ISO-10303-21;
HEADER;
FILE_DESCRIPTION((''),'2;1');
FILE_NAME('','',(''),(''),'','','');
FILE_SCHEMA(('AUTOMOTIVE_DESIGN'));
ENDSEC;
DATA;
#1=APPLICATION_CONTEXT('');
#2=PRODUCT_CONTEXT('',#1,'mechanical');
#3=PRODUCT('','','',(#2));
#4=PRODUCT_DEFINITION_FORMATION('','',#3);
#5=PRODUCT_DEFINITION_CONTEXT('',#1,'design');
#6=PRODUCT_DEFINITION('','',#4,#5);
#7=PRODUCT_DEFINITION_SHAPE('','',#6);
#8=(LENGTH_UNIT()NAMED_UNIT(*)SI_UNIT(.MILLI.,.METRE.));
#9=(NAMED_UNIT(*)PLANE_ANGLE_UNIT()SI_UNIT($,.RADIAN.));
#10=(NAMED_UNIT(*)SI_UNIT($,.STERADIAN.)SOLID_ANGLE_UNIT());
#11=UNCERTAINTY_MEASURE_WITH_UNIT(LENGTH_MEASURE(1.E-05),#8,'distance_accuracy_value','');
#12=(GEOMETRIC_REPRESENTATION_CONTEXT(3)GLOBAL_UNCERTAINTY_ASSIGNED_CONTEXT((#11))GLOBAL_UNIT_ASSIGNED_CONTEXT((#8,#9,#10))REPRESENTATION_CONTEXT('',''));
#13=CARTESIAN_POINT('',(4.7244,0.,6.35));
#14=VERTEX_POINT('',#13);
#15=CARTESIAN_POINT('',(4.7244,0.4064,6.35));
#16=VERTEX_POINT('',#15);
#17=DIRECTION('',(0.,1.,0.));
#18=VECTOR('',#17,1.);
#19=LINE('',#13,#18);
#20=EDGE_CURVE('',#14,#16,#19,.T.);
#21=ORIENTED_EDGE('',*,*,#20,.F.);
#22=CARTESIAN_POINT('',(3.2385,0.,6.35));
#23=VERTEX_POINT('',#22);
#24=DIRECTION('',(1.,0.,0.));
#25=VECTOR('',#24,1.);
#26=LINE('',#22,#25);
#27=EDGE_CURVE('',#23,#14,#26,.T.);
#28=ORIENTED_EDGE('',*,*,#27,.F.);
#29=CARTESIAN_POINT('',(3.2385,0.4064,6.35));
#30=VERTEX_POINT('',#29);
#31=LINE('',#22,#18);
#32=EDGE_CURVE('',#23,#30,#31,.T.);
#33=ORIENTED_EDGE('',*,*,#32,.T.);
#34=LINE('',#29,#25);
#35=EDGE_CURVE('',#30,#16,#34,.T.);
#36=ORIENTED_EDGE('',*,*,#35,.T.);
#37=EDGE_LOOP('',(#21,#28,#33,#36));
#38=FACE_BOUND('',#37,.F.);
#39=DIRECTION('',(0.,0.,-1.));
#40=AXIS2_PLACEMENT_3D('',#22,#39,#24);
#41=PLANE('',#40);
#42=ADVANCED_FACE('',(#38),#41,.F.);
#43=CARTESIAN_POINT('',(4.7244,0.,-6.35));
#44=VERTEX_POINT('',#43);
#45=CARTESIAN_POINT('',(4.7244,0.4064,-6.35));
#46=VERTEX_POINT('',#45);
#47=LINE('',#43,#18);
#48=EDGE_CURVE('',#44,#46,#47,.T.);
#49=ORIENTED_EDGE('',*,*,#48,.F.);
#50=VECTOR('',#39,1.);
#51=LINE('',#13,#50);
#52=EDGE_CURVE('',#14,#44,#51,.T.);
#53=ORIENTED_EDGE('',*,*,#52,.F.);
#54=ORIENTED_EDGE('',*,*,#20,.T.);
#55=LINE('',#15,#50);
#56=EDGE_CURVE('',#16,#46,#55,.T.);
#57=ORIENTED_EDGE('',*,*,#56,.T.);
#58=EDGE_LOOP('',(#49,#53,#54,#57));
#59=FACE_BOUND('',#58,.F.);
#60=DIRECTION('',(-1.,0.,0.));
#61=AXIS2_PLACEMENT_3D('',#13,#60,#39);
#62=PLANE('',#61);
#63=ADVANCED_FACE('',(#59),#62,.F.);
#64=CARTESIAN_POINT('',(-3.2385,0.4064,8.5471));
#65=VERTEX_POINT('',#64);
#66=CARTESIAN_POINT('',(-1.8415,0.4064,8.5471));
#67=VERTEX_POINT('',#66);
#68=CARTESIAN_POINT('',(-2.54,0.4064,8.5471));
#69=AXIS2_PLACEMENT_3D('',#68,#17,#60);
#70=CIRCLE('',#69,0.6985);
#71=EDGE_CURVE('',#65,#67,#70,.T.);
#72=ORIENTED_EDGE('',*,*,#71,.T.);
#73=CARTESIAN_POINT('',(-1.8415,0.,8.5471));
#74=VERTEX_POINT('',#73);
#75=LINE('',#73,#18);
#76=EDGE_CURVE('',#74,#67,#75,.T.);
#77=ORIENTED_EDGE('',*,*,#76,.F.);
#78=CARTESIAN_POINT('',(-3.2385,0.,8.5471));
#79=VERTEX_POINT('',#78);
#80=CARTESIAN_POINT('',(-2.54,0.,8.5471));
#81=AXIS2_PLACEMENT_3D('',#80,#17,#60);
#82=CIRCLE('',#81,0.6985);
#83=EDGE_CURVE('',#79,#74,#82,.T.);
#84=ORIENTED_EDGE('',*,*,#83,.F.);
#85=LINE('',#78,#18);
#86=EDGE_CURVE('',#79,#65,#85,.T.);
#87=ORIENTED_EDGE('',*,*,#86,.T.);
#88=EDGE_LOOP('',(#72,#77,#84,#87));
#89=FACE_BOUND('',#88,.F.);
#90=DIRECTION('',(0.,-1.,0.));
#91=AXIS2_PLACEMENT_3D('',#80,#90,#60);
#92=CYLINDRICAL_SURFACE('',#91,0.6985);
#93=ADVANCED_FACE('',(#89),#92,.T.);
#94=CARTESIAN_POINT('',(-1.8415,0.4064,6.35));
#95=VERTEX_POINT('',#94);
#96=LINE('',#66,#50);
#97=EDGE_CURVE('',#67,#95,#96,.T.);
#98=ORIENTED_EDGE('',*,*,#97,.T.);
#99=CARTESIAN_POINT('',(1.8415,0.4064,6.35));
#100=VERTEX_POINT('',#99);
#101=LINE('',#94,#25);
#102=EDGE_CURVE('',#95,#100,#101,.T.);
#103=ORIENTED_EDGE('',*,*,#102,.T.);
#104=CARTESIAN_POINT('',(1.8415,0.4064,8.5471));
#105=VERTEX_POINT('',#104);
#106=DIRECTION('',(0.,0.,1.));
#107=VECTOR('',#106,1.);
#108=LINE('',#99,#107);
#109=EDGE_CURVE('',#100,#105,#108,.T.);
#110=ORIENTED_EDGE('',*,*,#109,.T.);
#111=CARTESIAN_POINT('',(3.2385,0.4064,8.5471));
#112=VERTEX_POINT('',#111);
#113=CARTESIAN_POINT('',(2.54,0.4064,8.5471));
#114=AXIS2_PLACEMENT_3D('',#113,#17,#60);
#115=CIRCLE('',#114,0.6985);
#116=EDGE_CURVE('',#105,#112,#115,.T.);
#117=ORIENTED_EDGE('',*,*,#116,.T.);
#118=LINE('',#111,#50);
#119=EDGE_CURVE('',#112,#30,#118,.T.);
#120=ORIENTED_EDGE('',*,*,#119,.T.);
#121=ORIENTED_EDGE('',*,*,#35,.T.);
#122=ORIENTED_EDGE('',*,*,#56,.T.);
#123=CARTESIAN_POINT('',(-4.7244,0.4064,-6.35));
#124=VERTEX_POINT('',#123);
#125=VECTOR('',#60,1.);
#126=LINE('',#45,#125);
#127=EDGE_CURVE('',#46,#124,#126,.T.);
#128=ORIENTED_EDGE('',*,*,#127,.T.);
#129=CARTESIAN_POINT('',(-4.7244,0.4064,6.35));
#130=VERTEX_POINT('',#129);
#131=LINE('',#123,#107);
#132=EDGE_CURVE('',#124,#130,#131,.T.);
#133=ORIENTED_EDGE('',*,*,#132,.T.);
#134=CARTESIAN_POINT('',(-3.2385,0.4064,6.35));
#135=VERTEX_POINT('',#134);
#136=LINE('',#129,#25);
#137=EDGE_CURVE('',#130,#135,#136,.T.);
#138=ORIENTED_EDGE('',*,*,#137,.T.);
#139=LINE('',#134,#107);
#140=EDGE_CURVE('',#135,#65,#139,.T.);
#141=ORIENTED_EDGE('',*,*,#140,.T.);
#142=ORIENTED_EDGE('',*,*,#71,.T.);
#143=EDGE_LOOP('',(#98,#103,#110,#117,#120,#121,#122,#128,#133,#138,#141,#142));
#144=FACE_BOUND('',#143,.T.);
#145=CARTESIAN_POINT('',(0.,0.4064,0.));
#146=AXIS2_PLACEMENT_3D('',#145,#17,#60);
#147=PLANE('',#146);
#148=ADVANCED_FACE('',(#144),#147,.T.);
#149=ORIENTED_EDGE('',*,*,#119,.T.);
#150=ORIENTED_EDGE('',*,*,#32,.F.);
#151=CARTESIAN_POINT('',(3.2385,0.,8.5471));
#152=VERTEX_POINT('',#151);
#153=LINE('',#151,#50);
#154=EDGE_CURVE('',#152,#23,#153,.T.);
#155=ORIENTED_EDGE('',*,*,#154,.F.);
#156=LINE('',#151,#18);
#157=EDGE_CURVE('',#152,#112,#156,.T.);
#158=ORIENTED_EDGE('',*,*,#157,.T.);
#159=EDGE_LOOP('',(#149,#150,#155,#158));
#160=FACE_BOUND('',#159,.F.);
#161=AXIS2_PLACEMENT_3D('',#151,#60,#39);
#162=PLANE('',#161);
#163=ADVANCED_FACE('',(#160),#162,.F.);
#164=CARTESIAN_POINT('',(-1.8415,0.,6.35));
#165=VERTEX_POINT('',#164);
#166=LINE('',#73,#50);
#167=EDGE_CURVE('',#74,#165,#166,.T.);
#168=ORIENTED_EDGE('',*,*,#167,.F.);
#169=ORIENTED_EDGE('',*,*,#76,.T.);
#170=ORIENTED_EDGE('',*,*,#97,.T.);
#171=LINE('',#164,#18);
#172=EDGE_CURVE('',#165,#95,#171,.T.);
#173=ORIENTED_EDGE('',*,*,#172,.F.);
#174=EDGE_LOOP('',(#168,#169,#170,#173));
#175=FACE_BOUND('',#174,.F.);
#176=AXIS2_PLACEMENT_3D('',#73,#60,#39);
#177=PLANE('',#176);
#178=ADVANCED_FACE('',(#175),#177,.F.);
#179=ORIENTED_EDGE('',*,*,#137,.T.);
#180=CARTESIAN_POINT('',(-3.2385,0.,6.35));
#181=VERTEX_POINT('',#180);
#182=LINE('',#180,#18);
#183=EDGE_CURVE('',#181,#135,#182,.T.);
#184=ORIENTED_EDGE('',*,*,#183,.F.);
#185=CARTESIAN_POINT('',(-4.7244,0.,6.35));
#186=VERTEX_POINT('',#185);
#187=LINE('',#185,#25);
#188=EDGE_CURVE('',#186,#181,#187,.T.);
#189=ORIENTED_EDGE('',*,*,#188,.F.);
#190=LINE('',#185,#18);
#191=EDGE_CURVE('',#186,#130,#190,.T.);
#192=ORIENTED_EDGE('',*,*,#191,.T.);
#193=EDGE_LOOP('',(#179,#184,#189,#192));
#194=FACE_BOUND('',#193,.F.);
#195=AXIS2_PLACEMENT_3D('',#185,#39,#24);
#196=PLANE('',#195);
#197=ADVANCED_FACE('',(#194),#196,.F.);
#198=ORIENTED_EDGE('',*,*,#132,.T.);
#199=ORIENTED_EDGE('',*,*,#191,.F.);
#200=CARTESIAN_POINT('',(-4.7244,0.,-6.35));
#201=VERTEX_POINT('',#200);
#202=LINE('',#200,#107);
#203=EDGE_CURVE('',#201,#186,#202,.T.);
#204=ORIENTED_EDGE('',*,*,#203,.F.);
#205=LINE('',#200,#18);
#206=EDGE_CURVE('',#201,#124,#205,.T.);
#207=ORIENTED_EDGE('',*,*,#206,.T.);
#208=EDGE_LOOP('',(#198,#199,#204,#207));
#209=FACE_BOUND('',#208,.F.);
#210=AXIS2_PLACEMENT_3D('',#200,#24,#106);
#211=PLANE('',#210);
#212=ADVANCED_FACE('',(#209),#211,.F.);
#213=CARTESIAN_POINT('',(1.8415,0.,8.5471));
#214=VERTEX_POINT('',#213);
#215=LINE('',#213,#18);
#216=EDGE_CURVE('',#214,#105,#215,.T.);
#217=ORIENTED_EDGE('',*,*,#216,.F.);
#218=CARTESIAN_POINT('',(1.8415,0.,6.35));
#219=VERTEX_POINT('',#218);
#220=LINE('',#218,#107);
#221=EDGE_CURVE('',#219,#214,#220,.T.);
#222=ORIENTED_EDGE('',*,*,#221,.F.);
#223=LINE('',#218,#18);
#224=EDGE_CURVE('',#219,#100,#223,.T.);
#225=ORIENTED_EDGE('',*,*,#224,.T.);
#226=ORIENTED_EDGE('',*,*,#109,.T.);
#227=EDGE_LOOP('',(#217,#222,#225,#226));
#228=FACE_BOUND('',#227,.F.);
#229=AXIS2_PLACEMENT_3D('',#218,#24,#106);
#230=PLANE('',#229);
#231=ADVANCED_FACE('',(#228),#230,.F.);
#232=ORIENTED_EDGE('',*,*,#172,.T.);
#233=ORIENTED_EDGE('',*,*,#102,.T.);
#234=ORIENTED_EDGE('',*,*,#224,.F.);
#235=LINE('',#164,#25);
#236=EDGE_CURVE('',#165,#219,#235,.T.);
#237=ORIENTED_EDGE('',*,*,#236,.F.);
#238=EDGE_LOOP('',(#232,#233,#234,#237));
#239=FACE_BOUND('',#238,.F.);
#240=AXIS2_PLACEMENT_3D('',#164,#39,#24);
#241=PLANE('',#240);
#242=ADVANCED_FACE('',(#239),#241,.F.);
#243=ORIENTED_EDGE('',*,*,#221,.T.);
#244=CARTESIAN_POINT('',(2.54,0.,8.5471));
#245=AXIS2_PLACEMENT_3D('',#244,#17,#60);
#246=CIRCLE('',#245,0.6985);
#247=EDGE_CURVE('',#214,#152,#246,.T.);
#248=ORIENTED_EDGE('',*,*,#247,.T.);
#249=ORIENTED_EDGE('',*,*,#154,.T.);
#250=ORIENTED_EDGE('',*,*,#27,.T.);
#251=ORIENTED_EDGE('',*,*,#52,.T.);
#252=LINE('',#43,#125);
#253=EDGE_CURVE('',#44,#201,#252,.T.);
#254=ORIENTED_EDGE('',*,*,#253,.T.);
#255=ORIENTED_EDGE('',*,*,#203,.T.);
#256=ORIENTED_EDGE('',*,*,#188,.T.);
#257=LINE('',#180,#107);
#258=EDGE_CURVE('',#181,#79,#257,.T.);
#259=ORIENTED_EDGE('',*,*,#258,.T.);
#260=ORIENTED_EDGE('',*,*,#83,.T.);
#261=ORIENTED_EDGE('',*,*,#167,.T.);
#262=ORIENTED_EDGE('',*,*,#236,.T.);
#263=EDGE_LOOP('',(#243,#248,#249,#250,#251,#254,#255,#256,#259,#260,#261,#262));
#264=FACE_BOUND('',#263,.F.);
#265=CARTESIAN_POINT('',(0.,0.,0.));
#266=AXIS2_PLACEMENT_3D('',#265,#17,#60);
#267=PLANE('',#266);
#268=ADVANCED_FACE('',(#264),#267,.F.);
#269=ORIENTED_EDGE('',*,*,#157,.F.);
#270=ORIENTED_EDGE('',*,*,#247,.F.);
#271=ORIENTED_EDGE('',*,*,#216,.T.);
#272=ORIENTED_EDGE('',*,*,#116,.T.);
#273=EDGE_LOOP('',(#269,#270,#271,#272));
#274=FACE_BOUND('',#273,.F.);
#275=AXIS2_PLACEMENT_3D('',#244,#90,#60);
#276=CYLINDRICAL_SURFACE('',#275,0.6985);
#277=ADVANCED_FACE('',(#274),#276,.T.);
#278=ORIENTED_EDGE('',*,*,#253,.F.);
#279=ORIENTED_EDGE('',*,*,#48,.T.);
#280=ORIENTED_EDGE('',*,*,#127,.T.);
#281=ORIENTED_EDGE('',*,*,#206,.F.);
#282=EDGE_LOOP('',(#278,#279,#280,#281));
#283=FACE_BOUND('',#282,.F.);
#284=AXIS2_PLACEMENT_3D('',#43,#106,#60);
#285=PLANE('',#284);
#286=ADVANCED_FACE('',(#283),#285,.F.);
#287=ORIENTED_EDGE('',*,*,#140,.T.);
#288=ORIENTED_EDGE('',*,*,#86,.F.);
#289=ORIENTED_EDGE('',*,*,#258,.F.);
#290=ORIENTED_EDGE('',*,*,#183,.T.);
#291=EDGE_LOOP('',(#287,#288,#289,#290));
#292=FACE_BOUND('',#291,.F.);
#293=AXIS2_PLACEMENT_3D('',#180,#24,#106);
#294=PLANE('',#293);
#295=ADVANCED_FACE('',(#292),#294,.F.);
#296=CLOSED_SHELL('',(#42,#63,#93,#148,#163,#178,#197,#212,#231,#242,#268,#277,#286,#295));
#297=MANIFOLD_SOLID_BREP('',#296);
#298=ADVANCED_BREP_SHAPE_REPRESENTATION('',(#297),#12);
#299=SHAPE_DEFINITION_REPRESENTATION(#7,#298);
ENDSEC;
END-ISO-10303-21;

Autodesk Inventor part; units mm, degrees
sketch "Sketch_1" plane through (0, 0, 0) normal (0, 1, 0) x (-1, 0, 0)
  line L0 (4.7244, 6.35) -> (3.2385, 6.35)
  line L1 (3.2385, 6.35) -> (3.2385, 8.5471)
  arc A0 (3.2385, 8.5471) -> (1.8415, 8.5471) centre (2.54, 8.5471) ccw
  line L2 (1.8415, 8.5471) -> (1.8415, 6.35)
  line L3 (1.8415, 6.35) -> (-1.8415, 6.35)
  line L4 (-1.8415, 6.35) -> (-1.8415, 8.5471)
  arc A1 (-1.8415, 8.5471) -> (-3.2385, 8.5471) centre (-2.54, 8.5471) ccw
  line L5 (-3.2385, 8.5471) -> (-3.2385, 6.35)
  line L6 (-3.2385, 6.35) -> (-4.7244, 6.35)
  line L7 (-4.7244, 6.35) -> (-4.7244, -6.35)
  line L8 (-4.7244, -6.35) -> (4.7244, -6.35)
  line L9 (4.7244, -6.35) -> (4.7244, 6.35)
extrude "Extrusion1" add sketch "Sketch_1" along normal blind 0.4064
ref_plane "shtrmnl_XY" through (0, 0, 0) normal (0, 1, 0) x (1, 0, 0)
ref_plane "shtrmnl_YZ" through (0, 0, 0) normal (1, 0, 0) x (0, 0, -1)
ref_plane "shtrmnl_ZX" through (0, 0, 0) normal (0, 0, -1) x (0, 1, 0)
properties part number "M202830TX-switch"
